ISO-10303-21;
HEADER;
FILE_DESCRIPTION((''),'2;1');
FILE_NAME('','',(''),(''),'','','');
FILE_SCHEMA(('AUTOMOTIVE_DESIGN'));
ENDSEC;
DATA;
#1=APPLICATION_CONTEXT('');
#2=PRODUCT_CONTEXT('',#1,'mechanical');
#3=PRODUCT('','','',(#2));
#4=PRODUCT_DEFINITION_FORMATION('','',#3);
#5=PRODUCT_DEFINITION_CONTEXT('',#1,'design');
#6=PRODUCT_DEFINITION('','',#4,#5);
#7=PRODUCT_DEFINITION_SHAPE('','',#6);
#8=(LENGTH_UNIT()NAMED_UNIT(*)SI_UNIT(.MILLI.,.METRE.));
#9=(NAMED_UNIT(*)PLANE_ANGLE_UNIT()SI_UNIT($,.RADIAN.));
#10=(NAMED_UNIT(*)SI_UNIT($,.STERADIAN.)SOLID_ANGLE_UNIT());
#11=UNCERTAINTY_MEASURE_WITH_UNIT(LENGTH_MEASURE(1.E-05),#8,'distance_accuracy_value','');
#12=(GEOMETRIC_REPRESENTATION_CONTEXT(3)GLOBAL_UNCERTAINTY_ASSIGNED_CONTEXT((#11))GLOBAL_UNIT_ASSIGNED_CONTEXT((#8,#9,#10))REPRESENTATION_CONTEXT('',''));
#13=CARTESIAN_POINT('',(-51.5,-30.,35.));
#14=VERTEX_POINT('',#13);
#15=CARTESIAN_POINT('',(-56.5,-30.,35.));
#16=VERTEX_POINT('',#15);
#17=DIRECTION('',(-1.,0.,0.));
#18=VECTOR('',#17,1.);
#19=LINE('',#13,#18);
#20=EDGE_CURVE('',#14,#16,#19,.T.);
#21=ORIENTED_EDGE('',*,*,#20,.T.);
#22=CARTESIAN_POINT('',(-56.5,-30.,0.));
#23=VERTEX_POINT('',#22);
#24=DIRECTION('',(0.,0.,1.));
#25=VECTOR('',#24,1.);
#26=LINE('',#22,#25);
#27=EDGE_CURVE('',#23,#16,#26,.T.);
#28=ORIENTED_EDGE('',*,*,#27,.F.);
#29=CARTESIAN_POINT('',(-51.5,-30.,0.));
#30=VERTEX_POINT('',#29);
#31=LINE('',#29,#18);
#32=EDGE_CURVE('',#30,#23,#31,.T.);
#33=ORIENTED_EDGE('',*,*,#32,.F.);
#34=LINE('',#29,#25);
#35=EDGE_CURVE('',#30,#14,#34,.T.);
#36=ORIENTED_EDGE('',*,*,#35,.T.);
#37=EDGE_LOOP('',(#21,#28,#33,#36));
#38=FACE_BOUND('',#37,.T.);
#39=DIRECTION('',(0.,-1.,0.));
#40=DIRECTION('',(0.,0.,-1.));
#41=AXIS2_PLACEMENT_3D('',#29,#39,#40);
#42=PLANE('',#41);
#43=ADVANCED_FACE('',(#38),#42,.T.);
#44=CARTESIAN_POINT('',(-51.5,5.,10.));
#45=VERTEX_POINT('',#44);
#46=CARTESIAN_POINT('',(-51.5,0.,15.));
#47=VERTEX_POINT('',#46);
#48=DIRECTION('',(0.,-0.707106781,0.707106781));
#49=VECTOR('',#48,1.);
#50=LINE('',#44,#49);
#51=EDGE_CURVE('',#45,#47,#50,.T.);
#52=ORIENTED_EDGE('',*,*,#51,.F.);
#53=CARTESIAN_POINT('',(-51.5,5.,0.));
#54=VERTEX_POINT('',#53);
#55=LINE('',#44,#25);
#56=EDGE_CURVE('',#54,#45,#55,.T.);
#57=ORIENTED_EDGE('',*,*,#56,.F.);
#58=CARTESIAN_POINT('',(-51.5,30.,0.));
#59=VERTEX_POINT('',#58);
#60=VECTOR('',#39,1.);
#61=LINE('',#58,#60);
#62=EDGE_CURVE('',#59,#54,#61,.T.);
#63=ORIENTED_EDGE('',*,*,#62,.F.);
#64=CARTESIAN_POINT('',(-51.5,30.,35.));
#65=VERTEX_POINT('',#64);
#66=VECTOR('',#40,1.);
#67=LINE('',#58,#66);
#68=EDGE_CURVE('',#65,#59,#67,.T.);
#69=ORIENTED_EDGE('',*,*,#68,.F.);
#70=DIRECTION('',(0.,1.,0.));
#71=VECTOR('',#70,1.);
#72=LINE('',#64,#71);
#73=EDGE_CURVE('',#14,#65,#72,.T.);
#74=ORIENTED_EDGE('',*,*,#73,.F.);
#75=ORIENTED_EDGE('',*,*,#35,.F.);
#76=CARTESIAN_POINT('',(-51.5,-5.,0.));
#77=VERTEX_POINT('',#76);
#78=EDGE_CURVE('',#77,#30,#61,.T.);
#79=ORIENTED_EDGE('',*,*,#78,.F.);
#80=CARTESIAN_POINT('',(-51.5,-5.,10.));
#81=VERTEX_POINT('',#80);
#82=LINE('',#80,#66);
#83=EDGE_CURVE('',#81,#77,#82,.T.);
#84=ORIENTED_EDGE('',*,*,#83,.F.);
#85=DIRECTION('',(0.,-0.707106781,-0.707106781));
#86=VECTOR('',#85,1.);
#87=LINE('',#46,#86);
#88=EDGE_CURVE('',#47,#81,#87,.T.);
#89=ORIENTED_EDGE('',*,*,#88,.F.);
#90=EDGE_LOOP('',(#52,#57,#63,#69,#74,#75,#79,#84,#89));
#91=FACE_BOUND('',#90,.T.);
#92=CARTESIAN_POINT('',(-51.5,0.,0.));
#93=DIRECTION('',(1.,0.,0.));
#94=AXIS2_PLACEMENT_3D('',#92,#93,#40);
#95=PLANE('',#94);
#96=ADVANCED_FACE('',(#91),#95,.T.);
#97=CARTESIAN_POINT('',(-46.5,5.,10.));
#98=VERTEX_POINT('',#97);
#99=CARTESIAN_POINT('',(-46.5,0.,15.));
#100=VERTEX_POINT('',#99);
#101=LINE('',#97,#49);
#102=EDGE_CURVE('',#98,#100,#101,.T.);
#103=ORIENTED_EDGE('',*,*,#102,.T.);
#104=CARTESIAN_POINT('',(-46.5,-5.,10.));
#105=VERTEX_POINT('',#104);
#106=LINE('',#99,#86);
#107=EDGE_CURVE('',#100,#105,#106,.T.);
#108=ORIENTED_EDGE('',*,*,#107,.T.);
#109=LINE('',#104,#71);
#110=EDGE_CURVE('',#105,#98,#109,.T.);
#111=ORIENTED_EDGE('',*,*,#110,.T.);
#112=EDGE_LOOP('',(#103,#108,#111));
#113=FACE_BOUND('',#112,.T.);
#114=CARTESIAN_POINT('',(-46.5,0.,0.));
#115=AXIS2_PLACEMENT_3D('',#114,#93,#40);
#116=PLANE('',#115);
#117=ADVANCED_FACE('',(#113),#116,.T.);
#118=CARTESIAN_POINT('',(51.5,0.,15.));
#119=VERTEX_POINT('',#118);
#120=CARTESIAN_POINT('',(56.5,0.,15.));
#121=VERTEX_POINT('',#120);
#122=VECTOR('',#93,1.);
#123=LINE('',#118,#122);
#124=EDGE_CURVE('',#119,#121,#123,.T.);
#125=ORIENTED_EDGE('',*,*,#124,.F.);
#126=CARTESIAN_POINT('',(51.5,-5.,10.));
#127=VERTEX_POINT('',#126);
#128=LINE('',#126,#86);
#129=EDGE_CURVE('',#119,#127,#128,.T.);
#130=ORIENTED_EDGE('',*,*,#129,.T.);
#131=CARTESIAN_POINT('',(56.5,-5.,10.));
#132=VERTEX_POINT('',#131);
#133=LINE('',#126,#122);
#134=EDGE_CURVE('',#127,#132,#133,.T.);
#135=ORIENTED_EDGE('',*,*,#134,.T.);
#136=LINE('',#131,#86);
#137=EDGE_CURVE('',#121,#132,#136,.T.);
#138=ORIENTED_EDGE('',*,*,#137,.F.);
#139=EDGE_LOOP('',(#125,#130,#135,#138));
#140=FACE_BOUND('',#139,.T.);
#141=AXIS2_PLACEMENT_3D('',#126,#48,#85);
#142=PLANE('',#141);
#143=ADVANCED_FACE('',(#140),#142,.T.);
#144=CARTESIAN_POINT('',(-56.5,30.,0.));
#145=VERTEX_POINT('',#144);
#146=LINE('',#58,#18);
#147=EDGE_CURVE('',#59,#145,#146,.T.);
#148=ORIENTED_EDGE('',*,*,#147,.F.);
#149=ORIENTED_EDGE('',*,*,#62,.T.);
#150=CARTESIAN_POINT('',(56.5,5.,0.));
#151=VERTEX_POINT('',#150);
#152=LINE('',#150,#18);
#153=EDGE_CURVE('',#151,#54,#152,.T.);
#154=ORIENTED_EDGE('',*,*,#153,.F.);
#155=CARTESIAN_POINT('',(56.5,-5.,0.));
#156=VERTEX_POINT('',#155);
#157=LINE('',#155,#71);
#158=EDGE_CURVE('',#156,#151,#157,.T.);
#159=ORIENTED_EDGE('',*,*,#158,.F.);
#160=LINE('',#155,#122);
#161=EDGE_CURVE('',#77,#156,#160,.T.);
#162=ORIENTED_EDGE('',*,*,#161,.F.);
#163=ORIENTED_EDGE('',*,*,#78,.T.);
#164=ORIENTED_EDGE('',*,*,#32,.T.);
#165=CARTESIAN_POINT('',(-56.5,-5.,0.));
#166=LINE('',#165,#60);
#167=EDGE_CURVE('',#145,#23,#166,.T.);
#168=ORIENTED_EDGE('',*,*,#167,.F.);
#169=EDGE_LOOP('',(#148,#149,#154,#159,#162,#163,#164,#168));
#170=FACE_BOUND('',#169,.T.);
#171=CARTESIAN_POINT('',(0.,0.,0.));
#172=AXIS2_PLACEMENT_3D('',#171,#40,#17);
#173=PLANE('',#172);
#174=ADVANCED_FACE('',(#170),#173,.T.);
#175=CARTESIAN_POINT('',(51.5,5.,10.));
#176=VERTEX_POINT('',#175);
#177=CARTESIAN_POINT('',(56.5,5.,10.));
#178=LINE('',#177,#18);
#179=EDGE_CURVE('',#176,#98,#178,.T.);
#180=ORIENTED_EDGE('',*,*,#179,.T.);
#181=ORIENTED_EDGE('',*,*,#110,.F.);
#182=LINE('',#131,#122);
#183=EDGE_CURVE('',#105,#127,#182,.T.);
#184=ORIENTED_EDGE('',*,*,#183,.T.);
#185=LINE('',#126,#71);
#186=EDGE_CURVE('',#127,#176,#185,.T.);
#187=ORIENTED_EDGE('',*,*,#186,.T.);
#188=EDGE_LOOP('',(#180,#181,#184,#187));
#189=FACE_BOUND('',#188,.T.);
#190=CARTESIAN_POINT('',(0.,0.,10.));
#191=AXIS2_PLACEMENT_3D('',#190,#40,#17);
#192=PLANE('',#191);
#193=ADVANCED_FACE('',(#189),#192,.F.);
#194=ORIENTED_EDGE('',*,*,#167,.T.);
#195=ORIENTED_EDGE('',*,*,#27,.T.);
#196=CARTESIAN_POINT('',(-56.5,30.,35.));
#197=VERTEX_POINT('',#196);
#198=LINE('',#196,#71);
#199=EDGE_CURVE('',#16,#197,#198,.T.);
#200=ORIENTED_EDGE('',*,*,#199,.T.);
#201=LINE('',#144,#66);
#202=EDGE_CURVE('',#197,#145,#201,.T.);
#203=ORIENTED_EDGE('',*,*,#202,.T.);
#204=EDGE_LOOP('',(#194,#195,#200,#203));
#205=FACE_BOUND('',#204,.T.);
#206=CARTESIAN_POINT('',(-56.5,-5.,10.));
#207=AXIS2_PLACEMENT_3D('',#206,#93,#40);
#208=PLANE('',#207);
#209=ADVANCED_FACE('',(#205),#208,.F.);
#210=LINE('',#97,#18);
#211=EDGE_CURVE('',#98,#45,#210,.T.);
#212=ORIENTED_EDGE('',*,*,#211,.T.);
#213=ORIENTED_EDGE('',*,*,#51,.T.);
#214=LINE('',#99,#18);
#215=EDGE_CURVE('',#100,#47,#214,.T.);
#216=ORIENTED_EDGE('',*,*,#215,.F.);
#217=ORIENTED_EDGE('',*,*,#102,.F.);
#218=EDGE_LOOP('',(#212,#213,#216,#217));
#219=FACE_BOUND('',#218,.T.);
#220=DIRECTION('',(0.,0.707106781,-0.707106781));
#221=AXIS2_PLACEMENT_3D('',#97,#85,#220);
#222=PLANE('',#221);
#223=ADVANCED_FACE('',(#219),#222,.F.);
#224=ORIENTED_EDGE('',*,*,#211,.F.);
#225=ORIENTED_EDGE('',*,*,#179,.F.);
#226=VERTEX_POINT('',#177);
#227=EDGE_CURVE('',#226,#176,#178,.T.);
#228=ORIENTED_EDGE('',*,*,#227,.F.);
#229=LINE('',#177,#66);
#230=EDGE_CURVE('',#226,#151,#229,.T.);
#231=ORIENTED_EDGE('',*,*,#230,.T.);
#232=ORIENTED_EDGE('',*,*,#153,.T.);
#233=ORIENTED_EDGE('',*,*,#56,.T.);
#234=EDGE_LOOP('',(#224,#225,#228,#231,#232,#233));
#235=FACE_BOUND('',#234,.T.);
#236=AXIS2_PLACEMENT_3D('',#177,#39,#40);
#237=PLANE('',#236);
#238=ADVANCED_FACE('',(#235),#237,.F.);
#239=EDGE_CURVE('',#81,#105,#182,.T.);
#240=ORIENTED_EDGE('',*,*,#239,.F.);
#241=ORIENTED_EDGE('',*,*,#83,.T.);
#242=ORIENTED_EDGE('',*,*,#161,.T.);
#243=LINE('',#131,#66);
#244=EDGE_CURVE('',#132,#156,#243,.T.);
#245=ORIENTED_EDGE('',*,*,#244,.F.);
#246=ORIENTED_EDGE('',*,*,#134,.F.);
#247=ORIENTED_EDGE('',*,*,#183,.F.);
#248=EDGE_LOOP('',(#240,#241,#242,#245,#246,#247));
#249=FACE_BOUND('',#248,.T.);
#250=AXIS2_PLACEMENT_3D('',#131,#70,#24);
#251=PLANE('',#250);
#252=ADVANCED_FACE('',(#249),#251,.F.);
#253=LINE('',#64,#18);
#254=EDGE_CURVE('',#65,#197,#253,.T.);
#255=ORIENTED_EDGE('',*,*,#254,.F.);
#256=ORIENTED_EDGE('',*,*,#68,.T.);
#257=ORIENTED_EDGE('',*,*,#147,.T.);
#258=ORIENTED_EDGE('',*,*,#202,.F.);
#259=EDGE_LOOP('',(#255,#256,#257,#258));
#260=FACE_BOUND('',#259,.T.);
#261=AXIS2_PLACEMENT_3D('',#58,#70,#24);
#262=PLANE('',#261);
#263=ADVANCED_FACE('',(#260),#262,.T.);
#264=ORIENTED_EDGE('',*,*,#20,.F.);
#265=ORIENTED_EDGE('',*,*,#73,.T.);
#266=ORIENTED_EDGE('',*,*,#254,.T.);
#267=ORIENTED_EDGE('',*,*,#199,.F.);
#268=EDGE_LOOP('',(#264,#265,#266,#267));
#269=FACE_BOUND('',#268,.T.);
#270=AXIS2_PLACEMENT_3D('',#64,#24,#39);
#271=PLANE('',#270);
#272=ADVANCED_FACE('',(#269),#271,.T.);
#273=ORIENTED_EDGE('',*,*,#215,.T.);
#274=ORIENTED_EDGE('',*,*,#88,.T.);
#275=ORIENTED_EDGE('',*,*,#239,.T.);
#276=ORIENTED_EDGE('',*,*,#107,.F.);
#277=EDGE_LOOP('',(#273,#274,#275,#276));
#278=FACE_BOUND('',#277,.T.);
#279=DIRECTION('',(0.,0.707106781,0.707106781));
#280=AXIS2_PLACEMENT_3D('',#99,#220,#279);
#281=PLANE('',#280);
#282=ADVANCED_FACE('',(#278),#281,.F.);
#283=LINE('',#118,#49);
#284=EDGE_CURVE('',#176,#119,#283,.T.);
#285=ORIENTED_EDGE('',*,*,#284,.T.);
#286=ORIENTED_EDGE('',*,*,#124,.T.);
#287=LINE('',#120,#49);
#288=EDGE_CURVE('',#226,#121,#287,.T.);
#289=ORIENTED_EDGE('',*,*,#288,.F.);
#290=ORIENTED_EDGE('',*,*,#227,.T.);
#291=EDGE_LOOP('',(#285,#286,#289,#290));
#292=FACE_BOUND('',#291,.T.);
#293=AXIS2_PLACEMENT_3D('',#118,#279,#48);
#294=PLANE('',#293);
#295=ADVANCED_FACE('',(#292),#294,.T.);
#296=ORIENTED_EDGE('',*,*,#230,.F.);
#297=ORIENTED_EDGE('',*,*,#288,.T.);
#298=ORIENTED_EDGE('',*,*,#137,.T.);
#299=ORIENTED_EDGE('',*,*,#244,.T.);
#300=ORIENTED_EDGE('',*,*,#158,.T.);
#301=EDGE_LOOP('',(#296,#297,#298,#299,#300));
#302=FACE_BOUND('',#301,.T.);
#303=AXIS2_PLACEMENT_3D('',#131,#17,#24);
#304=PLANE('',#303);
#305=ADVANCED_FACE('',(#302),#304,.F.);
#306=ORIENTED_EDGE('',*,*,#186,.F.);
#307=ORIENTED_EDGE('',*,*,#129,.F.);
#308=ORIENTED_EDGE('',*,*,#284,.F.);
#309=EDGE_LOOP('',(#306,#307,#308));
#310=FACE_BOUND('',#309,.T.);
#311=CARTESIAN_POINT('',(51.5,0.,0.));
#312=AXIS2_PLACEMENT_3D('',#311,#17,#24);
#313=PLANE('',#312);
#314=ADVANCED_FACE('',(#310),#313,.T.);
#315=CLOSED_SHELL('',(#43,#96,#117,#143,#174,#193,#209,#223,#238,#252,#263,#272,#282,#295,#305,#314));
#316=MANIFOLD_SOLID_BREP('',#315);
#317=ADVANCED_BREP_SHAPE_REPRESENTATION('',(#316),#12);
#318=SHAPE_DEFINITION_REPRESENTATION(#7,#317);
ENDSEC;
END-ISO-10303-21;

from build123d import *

# Parameters (mm, degrees)
SKETCH1_W           = 10
SKETCH1_H           = 113
BOSS_EXTRUDE1_DEPTH = 10
BOSS_EXTRUDE2_DEPTH = 5
SKETCH4_W           = 60
SKETCH4_H           = 35
BOSS_EXTRUDE3_DEPTH = 5
BOSS_EXTRUDE4_DEPTH = 5


with BuildPart() as part:
    # Sketch1 → Boss-Extrude1 (new body)
    with BuildSketch(Plane(origin=(0, 0, 0), x_dir=(0, 1, 0), z_dir=(0, 0, 1))):
        Rectangle(SKETCH1_W, SKETCH1_H)
    extrude(amount=BOSS_EXTRUDE1_DEPTH)

    # Sketch3 → Boss-Extrude2 (add)
    with BuildSketch(Plane.YZ.offset(56.5)):
        Polygon((-5, 10), (0, 15), (5, 10), align=None)
    extrude(amount=-BOSS_EXTRUDE2_DEPTH)

    # Sketch4 → Boss-Extrude3 (add)
    with BuildSketch(Plane(origin=(-56.5, 0, 0), x_dir=(0, -1, 0), z_dir=(-1, 0, 0))):
        with Locations((0, 17.5)):
            Rectangle(SKETCH4_W, SKETCH4_H)
    extrude(amount=-BOSS_EXTRUDE3_DEPTH)

    # Sketch5 → Boss-Extrude4 (add)
    with BuildSketch(Plane.YZ.offset(-51.5)):
        Polygon((5, 10), (0, 15), (-5, 10), align=None)
    extrude(amount=BOSS_EXTRUDE4_DEPTH)


solid = part.part
